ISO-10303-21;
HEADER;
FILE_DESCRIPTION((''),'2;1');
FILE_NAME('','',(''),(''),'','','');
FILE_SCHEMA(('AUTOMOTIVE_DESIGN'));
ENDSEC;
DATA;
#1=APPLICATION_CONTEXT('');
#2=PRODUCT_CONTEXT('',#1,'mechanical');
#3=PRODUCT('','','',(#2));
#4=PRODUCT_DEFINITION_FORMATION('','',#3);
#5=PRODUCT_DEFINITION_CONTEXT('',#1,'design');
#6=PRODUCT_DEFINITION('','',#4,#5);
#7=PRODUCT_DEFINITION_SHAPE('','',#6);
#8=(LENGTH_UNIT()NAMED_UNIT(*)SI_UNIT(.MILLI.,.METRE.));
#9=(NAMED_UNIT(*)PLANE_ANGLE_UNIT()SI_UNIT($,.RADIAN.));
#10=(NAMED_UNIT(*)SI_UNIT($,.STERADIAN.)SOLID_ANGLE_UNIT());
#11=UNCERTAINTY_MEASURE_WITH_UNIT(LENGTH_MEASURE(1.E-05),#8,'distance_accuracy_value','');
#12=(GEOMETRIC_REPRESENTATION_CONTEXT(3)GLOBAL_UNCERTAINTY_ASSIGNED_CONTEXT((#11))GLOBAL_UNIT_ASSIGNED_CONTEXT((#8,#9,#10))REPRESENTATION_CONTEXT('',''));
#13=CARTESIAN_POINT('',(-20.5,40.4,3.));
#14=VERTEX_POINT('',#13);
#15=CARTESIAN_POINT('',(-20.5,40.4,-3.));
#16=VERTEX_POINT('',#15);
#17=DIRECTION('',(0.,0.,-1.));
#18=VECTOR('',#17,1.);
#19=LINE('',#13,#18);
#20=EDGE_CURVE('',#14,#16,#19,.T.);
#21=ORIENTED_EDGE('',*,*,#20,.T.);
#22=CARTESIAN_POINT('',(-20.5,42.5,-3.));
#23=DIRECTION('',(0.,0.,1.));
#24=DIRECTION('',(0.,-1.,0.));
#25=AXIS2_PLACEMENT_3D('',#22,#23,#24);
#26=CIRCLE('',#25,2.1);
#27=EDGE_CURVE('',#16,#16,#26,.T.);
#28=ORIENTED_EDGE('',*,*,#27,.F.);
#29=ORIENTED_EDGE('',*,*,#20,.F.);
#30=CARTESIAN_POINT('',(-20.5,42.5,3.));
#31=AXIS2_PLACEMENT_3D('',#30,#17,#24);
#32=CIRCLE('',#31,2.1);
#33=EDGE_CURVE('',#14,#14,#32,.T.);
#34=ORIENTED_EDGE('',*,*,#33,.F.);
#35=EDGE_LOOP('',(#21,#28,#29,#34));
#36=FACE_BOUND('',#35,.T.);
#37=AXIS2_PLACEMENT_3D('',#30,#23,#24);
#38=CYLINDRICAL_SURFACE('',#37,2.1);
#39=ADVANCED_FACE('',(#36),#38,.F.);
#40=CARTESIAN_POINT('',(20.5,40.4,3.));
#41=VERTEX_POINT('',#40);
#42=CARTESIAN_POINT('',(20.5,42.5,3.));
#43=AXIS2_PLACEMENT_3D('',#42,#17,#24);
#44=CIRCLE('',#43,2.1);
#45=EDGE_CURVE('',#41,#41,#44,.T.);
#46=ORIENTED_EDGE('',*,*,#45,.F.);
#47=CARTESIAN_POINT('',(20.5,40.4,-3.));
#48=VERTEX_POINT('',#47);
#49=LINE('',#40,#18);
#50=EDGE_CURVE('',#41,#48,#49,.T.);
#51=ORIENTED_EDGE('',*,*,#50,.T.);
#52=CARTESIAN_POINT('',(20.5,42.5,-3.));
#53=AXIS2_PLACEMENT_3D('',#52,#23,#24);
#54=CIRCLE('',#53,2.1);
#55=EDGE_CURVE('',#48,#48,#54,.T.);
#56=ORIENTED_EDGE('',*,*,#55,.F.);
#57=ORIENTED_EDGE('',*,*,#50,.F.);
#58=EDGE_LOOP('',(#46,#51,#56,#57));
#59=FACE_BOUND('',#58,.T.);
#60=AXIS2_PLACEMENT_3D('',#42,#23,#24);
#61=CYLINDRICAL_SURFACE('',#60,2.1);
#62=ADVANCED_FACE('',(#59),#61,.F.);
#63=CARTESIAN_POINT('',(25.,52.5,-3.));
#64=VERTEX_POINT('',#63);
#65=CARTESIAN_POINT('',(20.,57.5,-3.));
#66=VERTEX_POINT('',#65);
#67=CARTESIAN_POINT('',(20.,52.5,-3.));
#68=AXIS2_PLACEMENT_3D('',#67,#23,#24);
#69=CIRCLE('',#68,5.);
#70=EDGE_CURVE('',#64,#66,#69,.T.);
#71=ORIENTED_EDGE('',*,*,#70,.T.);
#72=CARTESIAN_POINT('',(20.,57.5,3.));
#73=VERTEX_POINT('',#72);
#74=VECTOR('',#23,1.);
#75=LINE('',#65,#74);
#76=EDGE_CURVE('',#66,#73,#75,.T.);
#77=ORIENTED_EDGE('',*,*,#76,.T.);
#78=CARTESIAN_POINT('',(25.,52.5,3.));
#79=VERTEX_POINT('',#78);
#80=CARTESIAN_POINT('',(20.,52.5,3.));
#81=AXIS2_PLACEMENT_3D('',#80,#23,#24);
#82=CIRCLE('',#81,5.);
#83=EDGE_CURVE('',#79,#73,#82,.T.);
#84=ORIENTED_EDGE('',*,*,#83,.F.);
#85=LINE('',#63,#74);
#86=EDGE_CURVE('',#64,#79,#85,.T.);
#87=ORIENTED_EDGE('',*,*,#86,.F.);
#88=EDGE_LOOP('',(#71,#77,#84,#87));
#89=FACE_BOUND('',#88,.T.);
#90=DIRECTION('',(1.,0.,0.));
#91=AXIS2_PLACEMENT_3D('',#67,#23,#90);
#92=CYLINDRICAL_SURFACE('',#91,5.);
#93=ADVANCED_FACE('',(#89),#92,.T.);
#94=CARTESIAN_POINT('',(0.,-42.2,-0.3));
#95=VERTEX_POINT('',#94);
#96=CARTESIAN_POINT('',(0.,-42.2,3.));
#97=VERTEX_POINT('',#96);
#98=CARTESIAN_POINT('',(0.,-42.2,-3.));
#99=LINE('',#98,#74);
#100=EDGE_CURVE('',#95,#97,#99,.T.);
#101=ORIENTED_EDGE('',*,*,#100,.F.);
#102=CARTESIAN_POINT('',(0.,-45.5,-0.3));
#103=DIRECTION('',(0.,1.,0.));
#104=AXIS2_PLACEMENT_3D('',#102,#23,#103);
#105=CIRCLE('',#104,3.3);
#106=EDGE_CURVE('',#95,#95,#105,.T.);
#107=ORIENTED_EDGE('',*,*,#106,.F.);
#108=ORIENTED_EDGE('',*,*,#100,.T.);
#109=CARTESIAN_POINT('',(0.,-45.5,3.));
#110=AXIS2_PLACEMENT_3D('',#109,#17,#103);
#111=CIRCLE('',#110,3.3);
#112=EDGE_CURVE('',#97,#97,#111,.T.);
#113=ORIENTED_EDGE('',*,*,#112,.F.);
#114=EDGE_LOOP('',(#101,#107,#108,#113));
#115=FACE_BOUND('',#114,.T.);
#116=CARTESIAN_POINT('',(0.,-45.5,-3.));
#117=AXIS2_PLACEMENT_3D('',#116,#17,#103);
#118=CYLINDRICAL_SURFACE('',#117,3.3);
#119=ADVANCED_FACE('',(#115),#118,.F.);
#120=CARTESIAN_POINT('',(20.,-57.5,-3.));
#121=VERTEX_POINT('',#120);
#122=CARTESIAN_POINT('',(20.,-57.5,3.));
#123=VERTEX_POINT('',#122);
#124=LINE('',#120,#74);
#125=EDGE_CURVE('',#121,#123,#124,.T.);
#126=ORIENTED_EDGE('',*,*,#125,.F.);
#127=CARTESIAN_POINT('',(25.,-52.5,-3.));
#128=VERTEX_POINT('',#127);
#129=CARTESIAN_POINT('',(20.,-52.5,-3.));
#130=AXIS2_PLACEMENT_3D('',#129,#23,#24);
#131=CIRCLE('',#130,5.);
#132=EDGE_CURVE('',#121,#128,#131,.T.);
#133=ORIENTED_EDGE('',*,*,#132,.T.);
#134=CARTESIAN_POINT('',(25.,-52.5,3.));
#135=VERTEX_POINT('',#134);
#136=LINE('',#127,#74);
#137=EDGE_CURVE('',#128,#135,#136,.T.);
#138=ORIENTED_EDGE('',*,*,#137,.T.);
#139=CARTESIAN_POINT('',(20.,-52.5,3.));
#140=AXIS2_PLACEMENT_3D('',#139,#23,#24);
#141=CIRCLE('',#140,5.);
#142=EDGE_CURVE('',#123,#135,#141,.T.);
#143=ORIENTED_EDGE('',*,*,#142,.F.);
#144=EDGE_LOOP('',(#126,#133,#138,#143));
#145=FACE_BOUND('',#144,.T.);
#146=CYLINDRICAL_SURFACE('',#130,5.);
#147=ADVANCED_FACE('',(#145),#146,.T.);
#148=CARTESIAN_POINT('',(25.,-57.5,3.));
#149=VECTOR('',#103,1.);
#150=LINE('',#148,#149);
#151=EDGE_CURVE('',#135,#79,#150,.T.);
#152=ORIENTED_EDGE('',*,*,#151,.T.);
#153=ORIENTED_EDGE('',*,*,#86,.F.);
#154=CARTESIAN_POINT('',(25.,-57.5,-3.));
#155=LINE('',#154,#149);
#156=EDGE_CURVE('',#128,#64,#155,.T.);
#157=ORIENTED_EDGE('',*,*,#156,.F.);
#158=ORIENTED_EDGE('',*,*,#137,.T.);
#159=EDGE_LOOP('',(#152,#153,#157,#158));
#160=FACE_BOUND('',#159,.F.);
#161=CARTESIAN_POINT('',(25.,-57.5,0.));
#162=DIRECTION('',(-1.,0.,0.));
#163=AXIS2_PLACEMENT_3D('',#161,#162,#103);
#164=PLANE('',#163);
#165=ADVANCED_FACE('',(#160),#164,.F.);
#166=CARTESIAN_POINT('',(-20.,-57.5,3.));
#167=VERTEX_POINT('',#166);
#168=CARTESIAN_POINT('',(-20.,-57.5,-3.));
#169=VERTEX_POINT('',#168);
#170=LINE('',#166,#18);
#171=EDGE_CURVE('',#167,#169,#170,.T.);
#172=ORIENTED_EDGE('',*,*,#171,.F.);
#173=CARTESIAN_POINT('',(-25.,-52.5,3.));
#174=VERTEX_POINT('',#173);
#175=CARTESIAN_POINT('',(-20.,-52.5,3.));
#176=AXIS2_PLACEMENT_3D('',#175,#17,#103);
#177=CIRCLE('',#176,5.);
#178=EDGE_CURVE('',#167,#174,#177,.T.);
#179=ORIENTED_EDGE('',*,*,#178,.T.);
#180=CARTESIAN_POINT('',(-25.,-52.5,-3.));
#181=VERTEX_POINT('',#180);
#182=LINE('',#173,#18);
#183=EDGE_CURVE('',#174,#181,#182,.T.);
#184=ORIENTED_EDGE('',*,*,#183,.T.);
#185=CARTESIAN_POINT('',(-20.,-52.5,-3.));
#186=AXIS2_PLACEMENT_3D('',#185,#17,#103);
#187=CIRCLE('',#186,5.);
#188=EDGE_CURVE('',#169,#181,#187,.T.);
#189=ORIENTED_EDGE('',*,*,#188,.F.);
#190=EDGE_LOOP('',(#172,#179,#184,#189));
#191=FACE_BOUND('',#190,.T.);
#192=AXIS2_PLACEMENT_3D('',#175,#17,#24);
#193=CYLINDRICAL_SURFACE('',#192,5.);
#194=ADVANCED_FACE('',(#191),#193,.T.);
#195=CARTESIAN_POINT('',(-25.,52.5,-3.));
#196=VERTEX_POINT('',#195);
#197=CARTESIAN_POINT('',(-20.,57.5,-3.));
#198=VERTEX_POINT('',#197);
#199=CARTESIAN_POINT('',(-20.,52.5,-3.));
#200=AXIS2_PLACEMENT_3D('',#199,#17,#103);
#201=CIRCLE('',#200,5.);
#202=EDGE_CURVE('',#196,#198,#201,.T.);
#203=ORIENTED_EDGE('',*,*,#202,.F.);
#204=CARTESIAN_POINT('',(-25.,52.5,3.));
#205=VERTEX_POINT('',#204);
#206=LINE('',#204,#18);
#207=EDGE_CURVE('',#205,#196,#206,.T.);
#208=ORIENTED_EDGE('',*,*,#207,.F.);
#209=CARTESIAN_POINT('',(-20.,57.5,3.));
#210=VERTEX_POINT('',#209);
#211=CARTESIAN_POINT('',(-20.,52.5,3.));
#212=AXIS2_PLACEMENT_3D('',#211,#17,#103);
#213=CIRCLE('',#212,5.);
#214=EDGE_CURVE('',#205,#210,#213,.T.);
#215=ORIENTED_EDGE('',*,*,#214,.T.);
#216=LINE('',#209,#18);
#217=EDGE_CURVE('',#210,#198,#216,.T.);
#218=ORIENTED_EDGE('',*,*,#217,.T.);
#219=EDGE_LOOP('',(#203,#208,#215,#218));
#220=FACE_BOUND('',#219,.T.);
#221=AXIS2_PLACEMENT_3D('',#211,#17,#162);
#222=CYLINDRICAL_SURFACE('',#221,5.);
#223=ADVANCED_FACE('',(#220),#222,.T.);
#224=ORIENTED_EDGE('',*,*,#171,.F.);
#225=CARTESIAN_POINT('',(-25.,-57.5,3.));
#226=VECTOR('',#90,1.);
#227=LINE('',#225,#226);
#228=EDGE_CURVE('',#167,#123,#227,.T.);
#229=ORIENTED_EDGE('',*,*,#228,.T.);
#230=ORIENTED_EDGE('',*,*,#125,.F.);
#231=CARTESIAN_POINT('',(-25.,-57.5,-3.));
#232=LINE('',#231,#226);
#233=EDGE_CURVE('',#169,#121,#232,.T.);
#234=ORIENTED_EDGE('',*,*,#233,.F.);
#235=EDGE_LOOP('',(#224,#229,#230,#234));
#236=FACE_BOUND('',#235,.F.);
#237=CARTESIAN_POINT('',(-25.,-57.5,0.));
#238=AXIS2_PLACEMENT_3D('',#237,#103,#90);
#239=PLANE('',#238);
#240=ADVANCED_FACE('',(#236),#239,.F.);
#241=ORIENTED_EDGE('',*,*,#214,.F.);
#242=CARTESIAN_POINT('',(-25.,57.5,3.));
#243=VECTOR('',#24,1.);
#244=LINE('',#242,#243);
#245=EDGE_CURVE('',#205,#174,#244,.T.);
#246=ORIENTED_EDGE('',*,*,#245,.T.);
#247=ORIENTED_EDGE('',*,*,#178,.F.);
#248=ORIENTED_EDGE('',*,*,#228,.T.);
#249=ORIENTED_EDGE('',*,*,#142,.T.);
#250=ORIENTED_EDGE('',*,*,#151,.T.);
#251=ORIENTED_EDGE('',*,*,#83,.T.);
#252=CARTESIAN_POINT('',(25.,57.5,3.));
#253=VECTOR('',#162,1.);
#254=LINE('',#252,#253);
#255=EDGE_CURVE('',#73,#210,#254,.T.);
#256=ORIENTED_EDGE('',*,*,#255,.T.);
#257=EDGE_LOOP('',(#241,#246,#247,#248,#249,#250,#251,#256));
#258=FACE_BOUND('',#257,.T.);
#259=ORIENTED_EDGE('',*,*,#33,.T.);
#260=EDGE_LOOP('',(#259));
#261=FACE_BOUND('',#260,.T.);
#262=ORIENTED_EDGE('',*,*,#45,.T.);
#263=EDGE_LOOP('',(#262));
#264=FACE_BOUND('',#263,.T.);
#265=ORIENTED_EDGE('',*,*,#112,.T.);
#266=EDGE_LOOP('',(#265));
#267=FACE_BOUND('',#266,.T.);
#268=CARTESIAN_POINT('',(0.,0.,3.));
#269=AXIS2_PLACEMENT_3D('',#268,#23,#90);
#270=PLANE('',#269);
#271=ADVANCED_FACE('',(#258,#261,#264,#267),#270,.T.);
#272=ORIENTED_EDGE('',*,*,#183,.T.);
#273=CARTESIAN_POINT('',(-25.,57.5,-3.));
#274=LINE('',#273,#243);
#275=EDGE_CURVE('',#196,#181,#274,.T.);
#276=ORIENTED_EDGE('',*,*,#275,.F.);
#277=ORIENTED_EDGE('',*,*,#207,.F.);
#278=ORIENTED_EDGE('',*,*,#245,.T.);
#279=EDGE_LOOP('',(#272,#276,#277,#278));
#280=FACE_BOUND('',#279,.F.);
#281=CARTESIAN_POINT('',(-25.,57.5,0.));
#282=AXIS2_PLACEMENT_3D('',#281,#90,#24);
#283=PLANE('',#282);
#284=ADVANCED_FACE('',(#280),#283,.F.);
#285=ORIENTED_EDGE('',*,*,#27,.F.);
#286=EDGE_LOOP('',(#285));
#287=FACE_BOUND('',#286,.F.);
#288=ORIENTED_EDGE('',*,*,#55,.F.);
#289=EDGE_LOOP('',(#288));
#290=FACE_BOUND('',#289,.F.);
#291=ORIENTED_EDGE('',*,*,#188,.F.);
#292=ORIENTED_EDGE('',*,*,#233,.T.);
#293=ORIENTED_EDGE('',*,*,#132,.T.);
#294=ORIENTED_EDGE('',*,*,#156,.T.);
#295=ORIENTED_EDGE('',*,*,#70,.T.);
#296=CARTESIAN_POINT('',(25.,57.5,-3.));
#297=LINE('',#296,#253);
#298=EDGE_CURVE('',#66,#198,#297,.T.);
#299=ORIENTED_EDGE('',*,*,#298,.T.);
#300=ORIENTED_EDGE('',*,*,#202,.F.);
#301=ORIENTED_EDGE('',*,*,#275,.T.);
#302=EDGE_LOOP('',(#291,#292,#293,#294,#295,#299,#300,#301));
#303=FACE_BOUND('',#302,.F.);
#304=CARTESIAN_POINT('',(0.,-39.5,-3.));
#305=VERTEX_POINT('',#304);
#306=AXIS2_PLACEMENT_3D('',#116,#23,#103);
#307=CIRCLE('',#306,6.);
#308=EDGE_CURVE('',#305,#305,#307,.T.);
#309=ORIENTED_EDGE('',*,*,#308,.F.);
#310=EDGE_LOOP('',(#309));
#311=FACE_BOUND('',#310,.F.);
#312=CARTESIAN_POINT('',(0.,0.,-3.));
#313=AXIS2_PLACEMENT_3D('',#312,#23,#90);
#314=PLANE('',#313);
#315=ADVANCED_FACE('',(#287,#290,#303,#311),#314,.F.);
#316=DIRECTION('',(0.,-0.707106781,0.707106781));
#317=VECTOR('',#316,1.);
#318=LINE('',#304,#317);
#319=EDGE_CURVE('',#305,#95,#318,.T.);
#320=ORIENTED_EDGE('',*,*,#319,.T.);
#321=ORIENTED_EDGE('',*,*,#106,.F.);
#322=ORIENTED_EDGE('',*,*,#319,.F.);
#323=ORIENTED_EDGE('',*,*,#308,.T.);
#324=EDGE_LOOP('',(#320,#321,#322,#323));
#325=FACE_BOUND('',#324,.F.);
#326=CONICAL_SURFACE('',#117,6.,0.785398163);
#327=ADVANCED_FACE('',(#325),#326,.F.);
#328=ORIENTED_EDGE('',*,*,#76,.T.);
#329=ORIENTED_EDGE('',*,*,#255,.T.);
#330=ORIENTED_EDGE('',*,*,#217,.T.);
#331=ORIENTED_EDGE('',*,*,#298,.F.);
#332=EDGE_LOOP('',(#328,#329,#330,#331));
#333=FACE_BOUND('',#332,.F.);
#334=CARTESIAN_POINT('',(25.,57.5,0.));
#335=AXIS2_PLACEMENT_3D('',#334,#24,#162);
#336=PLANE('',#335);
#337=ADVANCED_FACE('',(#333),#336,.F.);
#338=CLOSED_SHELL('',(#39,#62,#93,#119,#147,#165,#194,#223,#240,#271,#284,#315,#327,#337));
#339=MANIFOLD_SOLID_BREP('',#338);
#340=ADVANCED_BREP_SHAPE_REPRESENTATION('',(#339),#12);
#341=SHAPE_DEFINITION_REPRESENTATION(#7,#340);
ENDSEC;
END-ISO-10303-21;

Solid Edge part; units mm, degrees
sketch "Sketch1" plane through (0, 0, 0) normal (0, 0, 1) x (1, 0, 0)
  line L0 (-25, -57.5) -> (25, -57.5)
  line L1 (25, -57.5) -> (25, 57.5)
  line L2 (25, 57.5) -> (-25, 57.5)
  line L3 (-25, 57.5) -> (-25, -57.5)
  dimension "D1" = 50
  dimension "D2" = 115
extrude "Protrusion1" add sketch "Sketch1" along normal mid plane 6
fillet "Round_1" radius 5 4 edges at (25, 57.5, 0) (-25, 57.5, 0) (25, -57.5, 0) (-25, -57.5, 0)
hole "Hole_1" at (-20.5, 42.5, 3) direction (0, 0, -1) diameter 4.2 end up to next
hole "Hole1" at (20.5, 42.5, 3) direction (0, 0, -1) diameter 4.2 end up to next
hole "Hole_3" at (0, -45.5, -3) direction (0, 0, 1) diameter 6.6 end up to next countersink diameter 12 countersink angle 90
